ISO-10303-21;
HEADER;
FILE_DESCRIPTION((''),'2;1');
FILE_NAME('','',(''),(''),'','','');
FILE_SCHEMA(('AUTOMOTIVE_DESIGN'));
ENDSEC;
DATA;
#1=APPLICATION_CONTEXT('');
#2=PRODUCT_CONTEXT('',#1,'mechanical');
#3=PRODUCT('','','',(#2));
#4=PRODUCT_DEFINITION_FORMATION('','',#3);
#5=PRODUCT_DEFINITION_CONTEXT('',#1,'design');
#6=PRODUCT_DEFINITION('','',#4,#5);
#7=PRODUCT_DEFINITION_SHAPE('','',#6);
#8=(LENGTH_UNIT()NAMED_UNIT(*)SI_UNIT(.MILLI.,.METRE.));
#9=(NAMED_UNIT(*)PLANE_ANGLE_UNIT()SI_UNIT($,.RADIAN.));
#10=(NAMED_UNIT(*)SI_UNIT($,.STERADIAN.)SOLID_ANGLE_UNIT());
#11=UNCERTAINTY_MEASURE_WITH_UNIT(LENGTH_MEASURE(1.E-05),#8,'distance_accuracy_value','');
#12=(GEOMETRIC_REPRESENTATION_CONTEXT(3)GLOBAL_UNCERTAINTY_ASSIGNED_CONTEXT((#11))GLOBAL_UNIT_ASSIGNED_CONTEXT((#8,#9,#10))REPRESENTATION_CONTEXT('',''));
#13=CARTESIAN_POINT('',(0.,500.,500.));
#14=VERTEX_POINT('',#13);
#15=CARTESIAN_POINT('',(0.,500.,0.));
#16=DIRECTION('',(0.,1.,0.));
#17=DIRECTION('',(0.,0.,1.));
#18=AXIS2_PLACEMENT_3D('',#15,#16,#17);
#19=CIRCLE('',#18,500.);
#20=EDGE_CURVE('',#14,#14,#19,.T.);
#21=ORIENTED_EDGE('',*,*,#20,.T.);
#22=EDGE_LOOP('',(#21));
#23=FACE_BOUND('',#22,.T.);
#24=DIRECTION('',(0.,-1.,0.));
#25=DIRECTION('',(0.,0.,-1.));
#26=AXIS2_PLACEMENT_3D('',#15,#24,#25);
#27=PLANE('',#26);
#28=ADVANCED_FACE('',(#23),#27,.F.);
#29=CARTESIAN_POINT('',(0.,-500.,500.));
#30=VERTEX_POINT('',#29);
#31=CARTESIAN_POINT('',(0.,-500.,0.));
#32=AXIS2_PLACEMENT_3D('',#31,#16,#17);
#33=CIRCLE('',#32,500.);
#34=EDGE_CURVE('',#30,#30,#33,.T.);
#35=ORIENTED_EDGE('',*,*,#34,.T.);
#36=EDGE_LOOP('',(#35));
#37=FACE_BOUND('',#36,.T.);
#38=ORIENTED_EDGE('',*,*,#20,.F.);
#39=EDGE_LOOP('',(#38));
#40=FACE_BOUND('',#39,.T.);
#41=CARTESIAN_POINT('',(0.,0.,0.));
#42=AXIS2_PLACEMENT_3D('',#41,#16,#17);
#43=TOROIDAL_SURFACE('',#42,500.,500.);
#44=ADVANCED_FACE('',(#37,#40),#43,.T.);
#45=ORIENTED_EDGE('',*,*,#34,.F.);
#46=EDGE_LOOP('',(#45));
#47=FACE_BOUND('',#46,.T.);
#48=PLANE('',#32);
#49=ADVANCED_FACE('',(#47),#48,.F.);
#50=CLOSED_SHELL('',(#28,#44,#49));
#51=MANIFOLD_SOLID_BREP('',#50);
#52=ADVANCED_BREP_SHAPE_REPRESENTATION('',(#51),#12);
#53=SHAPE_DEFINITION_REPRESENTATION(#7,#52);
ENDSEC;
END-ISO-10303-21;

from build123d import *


with BuildPart() as part:
    # Sketch1 → Revolve2 (revolve)
    with BuildSketch(Plane.XY):
        with BuildLine():
            Line((0, 500), (0, -500))
            Line((0, -500), (500, -500))
            ThreePointArc((500, -500), (1000, 0), (500, 500))
            Line((500, 500), (0, 500))
        make_face()
    revolve(axis=Axis((0, 550, 0), (0, -1, 0)))


solid = part.part
